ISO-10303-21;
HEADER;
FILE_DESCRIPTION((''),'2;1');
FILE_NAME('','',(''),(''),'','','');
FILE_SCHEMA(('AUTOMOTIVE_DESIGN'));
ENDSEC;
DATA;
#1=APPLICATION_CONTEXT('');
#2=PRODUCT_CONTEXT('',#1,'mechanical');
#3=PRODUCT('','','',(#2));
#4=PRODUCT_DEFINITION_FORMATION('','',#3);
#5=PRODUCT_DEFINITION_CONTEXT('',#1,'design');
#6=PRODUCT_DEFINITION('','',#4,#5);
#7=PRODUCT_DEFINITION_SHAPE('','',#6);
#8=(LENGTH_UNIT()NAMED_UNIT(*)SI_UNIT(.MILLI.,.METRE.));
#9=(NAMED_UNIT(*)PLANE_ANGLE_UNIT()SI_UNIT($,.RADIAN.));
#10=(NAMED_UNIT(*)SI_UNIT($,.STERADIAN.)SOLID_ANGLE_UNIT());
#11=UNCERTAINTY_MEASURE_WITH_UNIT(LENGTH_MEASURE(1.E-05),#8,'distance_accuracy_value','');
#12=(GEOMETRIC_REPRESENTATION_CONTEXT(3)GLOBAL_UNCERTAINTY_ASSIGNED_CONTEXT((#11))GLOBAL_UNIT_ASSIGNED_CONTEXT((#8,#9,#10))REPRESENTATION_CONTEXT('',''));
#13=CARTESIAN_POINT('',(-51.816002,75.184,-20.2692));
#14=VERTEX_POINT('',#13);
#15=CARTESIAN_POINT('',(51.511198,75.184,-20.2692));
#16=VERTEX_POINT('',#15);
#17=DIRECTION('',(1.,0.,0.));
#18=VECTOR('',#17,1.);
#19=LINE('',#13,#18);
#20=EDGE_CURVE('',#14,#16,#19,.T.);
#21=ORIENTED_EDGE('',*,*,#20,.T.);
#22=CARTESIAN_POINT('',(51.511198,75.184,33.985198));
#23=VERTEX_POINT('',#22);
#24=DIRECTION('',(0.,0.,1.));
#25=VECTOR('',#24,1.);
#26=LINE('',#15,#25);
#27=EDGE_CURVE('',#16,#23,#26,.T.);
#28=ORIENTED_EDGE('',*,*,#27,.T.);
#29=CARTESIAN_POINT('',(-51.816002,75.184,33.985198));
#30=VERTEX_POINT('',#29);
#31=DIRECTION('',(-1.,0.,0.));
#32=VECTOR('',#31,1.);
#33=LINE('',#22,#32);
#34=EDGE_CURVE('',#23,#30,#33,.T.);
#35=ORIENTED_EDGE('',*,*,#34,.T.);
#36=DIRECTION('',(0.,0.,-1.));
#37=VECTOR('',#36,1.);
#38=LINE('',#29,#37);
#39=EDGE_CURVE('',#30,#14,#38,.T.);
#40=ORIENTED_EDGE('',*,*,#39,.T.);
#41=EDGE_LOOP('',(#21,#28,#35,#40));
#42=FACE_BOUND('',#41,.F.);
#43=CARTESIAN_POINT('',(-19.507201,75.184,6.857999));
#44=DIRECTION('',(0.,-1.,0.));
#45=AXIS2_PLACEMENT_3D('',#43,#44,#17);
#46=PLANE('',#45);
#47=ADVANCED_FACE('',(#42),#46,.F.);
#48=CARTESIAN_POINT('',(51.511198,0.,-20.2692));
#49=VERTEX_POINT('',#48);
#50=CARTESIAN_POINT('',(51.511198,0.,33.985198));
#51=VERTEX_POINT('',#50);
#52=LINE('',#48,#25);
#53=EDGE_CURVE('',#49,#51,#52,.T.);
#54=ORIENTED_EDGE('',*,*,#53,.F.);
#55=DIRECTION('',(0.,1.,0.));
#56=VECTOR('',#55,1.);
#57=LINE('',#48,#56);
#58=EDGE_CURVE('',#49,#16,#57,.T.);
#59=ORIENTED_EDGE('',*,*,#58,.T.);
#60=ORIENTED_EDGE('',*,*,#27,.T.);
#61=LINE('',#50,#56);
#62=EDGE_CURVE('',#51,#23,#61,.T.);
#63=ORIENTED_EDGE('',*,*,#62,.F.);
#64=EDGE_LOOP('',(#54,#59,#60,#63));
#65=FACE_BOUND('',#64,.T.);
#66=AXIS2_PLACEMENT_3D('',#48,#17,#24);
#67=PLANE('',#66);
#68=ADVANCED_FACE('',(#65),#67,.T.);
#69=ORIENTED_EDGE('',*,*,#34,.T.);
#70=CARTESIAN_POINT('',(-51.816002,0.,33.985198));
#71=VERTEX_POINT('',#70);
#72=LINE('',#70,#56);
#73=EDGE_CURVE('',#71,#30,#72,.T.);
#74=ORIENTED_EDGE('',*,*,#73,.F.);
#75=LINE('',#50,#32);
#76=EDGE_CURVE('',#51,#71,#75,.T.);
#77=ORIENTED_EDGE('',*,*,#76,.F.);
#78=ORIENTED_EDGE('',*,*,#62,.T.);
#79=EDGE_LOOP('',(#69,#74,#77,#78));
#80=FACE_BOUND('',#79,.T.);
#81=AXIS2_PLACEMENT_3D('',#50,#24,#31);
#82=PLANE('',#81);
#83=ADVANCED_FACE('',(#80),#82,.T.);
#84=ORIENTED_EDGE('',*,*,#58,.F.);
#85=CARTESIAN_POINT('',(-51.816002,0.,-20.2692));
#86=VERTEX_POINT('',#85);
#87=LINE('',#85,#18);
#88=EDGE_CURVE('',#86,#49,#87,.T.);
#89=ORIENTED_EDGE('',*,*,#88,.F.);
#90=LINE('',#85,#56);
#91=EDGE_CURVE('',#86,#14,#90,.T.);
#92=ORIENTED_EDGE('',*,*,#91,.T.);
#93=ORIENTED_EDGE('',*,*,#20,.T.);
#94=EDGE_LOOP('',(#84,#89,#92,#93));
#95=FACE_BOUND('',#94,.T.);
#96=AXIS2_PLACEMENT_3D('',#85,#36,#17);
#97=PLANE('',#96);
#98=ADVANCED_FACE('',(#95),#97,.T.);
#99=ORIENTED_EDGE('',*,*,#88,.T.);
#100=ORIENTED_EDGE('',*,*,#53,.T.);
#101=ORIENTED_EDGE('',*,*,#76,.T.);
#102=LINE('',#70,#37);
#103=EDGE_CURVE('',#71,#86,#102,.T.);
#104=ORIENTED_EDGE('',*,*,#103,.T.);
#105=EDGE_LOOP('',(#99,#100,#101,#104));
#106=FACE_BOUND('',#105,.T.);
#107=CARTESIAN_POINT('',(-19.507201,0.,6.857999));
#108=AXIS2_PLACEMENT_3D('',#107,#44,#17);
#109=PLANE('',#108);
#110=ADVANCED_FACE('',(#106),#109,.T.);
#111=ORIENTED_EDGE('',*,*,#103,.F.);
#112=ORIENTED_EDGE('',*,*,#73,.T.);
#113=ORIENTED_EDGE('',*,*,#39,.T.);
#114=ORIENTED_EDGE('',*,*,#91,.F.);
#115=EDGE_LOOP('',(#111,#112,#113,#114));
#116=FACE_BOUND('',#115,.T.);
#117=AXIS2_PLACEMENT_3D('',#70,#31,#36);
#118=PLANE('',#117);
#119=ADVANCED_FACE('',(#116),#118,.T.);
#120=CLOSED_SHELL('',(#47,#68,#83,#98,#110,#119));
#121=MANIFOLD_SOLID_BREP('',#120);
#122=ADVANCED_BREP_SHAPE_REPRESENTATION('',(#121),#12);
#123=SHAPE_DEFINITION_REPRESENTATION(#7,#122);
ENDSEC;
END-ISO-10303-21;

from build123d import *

# Parameters (mm, degrees)
F0_W     = 38.7095995247
F0_H     = 25.2983979881
F0_H_2   = 28.9559997618
F1_DEPTH = 75.184


with BuildPart() as f1:
    # F0 (on Front) → F1 (new body)
    with BuildSketch(Plane.XZ):
        Polygon((12.8015987575, 33.9851975441), (-51.8160015345, 33.9851975441), (-51.8160015345, -20.2692002058), (12.8015987575, -20.2692002058), (12.8015987575, 8.686799556), align=None)
        with Locations((32.1563985199, 21.3359985501)):
            Rectangle(F0_W, F0_H)
        with Locations((32.1563985199, -5.7912003249)):
            Rectangle(F0_W, F0_H_2)
    extrude(amount=-F1_DEPTH)


solid = f1.part
